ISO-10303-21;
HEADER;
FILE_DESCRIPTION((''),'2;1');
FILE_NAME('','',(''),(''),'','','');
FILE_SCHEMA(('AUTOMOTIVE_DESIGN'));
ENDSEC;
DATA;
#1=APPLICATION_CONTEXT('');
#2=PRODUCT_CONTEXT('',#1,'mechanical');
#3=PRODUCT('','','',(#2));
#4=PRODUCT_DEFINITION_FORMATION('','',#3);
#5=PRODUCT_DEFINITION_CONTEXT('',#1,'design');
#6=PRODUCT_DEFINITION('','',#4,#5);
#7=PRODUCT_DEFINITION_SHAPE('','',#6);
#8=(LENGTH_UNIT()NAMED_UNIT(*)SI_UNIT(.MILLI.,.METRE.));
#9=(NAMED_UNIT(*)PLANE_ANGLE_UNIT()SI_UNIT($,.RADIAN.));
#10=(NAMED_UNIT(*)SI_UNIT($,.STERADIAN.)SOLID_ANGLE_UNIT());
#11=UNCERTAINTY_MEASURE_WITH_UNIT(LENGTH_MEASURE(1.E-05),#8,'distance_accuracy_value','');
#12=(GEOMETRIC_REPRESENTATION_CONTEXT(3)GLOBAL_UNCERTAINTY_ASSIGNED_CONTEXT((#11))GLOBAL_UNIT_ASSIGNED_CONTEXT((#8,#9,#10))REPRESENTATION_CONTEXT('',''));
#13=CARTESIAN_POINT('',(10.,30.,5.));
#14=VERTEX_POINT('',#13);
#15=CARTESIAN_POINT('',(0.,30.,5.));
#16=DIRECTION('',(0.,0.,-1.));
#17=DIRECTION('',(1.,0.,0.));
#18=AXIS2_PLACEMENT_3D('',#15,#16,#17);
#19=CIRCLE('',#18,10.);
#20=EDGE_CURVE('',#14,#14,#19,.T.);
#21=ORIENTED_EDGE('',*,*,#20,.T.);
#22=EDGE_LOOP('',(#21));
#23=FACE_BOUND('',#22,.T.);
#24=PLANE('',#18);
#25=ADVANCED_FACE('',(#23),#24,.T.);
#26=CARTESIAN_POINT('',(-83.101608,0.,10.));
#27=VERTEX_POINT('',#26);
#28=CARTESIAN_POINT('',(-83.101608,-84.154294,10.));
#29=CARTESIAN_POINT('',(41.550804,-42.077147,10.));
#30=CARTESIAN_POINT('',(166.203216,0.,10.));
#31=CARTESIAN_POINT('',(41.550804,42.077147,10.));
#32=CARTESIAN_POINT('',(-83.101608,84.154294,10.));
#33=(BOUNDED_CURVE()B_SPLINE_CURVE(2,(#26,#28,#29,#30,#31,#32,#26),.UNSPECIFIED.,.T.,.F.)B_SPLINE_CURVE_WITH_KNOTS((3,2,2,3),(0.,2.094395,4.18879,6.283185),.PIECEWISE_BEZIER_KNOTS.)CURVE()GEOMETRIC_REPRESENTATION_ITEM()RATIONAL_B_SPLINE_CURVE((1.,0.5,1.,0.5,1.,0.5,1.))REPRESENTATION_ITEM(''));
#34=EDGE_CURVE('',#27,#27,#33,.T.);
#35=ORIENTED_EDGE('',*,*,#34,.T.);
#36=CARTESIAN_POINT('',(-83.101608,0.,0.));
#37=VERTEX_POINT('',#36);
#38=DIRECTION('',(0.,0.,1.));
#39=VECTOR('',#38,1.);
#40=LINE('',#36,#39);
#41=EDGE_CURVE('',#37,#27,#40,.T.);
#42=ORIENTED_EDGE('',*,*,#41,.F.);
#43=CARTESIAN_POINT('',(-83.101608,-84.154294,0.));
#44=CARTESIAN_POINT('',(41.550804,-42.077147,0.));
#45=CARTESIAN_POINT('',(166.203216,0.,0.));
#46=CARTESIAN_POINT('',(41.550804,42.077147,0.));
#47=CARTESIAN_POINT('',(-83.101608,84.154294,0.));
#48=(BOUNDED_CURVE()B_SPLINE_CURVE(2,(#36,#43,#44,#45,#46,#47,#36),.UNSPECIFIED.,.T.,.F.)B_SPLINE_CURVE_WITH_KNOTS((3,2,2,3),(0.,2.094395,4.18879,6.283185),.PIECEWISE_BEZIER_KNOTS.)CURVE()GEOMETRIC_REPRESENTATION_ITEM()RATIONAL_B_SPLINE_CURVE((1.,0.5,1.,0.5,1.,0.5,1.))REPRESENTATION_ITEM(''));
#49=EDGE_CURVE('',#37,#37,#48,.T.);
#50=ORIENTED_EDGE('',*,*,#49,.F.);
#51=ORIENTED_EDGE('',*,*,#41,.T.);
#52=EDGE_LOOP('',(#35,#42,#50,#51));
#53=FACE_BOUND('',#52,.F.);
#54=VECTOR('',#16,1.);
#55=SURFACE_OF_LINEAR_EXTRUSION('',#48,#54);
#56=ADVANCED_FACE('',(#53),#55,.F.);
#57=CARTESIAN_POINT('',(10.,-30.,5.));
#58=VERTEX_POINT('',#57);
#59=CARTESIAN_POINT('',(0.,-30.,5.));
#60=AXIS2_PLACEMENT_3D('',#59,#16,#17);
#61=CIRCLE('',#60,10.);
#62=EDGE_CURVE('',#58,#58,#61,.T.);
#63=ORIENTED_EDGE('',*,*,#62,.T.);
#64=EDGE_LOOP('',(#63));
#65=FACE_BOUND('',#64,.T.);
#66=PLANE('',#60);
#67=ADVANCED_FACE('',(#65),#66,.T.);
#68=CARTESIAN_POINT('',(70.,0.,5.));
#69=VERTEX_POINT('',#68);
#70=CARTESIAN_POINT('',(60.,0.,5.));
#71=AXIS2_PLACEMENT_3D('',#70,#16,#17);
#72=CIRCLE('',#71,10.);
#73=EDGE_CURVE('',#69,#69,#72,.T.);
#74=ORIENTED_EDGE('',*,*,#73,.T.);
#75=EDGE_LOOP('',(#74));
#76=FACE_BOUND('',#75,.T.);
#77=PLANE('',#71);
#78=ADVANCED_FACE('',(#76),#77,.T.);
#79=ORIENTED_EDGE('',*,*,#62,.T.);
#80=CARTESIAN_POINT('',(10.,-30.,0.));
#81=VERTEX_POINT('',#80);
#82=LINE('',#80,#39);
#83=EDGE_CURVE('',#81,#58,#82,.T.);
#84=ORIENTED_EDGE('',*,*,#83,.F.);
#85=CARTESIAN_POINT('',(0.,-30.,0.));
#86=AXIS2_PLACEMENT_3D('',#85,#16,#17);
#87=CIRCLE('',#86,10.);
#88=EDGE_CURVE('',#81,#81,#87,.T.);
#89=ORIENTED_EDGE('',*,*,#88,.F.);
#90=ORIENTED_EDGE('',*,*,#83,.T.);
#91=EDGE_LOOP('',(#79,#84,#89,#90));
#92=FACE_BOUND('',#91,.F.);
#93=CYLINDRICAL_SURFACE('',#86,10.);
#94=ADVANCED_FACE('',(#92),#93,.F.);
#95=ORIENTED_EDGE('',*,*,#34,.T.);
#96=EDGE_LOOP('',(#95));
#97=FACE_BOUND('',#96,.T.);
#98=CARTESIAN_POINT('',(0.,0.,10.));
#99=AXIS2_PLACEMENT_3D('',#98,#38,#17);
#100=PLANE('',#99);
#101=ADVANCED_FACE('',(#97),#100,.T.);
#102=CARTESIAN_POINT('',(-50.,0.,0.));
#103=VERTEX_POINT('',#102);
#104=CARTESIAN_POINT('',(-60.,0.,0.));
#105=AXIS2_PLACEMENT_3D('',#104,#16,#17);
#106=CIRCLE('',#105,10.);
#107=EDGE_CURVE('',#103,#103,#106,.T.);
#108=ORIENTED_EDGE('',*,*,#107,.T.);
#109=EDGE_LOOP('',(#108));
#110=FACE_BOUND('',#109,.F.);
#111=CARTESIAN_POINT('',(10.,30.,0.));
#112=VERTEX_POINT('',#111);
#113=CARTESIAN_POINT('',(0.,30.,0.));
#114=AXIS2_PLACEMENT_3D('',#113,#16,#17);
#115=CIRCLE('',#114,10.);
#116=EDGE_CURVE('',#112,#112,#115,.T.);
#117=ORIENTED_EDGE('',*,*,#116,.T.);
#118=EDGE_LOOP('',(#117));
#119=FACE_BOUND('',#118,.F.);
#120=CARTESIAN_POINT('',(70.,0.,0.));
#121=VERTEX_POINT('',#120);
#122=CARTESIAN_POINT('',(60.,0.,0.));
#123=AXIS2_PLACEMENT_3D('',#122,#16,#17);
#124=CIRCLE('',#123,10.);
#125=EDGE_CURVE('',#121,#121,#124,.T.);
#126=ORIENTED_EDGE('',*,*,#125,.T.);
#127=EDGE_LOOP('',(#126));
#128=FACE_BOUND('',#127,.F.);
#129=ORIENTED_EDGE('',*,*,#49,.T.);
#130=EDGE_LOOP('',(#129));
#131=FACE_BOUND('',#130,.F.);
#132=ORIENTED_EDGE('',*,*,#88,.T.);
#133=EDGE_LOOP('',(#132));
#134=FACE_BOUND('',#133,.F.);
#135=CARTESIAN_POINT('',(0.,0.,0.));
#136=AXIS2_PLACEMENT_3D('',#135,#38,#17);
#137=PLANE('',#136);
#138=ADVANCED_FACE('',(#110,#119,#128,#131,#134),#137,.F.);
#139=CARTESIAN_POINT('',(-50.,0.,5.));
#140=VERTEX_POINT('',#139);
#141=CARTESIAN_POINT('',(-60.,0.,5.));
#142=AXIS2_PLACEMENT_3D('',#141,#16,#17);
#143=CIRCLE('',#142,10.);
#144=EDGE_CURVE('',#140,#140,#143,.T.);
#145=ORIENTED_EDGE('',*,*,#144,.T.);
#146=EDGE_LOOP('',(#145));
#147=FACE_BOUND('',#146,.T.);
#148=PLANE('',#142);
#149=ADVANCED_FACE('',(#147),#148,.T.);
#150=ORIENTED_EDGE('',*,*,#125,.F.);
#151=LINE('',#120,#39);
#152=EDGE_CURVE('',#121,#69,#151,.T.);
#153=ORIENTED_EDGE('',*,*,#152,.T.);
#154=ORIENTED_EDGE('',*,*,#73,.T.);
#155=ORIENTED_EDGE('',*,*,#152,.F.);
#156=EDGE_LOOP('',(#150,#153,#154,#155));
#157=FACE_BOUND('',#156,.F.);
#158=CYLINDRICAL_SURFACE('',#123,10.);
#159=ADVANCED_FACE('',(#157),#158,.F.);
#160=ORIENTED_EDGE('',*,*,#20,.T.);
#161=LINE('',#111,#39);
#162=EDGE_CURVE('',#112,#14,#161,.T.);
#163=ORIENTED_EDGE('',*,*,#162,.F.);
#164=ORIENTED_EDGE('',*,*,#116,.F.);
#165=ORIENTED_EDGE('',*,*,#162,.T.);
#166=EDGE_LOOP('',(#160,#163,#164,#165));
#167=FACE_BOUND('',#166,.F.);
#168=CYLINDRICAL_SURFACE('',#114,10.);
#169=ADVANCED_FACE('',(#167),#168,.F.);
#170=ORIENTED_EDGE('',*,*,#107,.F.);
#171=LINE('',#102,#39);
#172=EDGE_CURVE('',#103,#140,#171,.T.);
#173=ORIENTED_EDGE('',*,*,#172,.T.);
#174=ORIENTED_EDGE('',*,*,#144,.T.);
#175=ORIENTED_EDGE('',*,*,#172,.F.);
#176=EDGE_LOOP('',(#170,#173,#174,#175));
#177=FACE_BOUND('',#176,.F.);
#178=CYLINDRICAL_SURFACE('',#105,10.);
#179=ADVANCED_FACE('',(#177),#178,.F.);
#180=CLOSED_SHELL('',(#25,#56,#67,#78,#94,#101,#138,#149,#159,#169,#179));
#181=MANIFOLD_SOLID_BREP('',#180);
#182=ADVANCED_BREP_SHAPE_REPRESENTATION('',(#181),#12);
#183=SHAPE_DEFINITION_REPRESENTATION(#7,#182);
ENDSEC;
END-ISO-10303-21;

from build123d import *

# Parameters (mm, degrees)
F1_DEPTH = 10
F2_R     = 10
F3_DEPTH = 5


with BuildPart() as f1:
    # F0 (on Top) → F1 (new body)
    with BuildSketch(Plane.XY):
        with BuildLine():
            add(Edge.make_bspline(
                [(-83.101608, 0), (-83.101608, -84.154294), (41.550804, -42.077147), (166.203216, 0), (41.550804, 42.077147), (-83.101608, 84.154294), (-83.101608, 0)],
                knots=[0, 0, 0, 2.094395, 2.094395, 4.18879, 4.18879, 6.283185, 6.283185, 6.283185], degree=2, weights=[1, 0.5, 1, 0.5, 1, 0.5, 1]))
        make_face()
    extrude(amount=F1_DEPTH)

    # F2 (on face) → F3 (cut)
    with BuildSketch(Plane(origin=(0, 0, 0), x_dir=(1, 0, 0), z_dir=(0, 0, -1))):
        with Locations((0, 30)):
            Circle(F2_R)
        with Locations((-60, 0)):
            Circle(F2_R)
        with Locations((0, -30)):
            Circle(F2_R)
        with Locations((60, 0)):
            Circle(F2_R)
    extrude(amount=-F3_DEPTH, mode=Mode.SUBTRACT)


solid = f1.part
